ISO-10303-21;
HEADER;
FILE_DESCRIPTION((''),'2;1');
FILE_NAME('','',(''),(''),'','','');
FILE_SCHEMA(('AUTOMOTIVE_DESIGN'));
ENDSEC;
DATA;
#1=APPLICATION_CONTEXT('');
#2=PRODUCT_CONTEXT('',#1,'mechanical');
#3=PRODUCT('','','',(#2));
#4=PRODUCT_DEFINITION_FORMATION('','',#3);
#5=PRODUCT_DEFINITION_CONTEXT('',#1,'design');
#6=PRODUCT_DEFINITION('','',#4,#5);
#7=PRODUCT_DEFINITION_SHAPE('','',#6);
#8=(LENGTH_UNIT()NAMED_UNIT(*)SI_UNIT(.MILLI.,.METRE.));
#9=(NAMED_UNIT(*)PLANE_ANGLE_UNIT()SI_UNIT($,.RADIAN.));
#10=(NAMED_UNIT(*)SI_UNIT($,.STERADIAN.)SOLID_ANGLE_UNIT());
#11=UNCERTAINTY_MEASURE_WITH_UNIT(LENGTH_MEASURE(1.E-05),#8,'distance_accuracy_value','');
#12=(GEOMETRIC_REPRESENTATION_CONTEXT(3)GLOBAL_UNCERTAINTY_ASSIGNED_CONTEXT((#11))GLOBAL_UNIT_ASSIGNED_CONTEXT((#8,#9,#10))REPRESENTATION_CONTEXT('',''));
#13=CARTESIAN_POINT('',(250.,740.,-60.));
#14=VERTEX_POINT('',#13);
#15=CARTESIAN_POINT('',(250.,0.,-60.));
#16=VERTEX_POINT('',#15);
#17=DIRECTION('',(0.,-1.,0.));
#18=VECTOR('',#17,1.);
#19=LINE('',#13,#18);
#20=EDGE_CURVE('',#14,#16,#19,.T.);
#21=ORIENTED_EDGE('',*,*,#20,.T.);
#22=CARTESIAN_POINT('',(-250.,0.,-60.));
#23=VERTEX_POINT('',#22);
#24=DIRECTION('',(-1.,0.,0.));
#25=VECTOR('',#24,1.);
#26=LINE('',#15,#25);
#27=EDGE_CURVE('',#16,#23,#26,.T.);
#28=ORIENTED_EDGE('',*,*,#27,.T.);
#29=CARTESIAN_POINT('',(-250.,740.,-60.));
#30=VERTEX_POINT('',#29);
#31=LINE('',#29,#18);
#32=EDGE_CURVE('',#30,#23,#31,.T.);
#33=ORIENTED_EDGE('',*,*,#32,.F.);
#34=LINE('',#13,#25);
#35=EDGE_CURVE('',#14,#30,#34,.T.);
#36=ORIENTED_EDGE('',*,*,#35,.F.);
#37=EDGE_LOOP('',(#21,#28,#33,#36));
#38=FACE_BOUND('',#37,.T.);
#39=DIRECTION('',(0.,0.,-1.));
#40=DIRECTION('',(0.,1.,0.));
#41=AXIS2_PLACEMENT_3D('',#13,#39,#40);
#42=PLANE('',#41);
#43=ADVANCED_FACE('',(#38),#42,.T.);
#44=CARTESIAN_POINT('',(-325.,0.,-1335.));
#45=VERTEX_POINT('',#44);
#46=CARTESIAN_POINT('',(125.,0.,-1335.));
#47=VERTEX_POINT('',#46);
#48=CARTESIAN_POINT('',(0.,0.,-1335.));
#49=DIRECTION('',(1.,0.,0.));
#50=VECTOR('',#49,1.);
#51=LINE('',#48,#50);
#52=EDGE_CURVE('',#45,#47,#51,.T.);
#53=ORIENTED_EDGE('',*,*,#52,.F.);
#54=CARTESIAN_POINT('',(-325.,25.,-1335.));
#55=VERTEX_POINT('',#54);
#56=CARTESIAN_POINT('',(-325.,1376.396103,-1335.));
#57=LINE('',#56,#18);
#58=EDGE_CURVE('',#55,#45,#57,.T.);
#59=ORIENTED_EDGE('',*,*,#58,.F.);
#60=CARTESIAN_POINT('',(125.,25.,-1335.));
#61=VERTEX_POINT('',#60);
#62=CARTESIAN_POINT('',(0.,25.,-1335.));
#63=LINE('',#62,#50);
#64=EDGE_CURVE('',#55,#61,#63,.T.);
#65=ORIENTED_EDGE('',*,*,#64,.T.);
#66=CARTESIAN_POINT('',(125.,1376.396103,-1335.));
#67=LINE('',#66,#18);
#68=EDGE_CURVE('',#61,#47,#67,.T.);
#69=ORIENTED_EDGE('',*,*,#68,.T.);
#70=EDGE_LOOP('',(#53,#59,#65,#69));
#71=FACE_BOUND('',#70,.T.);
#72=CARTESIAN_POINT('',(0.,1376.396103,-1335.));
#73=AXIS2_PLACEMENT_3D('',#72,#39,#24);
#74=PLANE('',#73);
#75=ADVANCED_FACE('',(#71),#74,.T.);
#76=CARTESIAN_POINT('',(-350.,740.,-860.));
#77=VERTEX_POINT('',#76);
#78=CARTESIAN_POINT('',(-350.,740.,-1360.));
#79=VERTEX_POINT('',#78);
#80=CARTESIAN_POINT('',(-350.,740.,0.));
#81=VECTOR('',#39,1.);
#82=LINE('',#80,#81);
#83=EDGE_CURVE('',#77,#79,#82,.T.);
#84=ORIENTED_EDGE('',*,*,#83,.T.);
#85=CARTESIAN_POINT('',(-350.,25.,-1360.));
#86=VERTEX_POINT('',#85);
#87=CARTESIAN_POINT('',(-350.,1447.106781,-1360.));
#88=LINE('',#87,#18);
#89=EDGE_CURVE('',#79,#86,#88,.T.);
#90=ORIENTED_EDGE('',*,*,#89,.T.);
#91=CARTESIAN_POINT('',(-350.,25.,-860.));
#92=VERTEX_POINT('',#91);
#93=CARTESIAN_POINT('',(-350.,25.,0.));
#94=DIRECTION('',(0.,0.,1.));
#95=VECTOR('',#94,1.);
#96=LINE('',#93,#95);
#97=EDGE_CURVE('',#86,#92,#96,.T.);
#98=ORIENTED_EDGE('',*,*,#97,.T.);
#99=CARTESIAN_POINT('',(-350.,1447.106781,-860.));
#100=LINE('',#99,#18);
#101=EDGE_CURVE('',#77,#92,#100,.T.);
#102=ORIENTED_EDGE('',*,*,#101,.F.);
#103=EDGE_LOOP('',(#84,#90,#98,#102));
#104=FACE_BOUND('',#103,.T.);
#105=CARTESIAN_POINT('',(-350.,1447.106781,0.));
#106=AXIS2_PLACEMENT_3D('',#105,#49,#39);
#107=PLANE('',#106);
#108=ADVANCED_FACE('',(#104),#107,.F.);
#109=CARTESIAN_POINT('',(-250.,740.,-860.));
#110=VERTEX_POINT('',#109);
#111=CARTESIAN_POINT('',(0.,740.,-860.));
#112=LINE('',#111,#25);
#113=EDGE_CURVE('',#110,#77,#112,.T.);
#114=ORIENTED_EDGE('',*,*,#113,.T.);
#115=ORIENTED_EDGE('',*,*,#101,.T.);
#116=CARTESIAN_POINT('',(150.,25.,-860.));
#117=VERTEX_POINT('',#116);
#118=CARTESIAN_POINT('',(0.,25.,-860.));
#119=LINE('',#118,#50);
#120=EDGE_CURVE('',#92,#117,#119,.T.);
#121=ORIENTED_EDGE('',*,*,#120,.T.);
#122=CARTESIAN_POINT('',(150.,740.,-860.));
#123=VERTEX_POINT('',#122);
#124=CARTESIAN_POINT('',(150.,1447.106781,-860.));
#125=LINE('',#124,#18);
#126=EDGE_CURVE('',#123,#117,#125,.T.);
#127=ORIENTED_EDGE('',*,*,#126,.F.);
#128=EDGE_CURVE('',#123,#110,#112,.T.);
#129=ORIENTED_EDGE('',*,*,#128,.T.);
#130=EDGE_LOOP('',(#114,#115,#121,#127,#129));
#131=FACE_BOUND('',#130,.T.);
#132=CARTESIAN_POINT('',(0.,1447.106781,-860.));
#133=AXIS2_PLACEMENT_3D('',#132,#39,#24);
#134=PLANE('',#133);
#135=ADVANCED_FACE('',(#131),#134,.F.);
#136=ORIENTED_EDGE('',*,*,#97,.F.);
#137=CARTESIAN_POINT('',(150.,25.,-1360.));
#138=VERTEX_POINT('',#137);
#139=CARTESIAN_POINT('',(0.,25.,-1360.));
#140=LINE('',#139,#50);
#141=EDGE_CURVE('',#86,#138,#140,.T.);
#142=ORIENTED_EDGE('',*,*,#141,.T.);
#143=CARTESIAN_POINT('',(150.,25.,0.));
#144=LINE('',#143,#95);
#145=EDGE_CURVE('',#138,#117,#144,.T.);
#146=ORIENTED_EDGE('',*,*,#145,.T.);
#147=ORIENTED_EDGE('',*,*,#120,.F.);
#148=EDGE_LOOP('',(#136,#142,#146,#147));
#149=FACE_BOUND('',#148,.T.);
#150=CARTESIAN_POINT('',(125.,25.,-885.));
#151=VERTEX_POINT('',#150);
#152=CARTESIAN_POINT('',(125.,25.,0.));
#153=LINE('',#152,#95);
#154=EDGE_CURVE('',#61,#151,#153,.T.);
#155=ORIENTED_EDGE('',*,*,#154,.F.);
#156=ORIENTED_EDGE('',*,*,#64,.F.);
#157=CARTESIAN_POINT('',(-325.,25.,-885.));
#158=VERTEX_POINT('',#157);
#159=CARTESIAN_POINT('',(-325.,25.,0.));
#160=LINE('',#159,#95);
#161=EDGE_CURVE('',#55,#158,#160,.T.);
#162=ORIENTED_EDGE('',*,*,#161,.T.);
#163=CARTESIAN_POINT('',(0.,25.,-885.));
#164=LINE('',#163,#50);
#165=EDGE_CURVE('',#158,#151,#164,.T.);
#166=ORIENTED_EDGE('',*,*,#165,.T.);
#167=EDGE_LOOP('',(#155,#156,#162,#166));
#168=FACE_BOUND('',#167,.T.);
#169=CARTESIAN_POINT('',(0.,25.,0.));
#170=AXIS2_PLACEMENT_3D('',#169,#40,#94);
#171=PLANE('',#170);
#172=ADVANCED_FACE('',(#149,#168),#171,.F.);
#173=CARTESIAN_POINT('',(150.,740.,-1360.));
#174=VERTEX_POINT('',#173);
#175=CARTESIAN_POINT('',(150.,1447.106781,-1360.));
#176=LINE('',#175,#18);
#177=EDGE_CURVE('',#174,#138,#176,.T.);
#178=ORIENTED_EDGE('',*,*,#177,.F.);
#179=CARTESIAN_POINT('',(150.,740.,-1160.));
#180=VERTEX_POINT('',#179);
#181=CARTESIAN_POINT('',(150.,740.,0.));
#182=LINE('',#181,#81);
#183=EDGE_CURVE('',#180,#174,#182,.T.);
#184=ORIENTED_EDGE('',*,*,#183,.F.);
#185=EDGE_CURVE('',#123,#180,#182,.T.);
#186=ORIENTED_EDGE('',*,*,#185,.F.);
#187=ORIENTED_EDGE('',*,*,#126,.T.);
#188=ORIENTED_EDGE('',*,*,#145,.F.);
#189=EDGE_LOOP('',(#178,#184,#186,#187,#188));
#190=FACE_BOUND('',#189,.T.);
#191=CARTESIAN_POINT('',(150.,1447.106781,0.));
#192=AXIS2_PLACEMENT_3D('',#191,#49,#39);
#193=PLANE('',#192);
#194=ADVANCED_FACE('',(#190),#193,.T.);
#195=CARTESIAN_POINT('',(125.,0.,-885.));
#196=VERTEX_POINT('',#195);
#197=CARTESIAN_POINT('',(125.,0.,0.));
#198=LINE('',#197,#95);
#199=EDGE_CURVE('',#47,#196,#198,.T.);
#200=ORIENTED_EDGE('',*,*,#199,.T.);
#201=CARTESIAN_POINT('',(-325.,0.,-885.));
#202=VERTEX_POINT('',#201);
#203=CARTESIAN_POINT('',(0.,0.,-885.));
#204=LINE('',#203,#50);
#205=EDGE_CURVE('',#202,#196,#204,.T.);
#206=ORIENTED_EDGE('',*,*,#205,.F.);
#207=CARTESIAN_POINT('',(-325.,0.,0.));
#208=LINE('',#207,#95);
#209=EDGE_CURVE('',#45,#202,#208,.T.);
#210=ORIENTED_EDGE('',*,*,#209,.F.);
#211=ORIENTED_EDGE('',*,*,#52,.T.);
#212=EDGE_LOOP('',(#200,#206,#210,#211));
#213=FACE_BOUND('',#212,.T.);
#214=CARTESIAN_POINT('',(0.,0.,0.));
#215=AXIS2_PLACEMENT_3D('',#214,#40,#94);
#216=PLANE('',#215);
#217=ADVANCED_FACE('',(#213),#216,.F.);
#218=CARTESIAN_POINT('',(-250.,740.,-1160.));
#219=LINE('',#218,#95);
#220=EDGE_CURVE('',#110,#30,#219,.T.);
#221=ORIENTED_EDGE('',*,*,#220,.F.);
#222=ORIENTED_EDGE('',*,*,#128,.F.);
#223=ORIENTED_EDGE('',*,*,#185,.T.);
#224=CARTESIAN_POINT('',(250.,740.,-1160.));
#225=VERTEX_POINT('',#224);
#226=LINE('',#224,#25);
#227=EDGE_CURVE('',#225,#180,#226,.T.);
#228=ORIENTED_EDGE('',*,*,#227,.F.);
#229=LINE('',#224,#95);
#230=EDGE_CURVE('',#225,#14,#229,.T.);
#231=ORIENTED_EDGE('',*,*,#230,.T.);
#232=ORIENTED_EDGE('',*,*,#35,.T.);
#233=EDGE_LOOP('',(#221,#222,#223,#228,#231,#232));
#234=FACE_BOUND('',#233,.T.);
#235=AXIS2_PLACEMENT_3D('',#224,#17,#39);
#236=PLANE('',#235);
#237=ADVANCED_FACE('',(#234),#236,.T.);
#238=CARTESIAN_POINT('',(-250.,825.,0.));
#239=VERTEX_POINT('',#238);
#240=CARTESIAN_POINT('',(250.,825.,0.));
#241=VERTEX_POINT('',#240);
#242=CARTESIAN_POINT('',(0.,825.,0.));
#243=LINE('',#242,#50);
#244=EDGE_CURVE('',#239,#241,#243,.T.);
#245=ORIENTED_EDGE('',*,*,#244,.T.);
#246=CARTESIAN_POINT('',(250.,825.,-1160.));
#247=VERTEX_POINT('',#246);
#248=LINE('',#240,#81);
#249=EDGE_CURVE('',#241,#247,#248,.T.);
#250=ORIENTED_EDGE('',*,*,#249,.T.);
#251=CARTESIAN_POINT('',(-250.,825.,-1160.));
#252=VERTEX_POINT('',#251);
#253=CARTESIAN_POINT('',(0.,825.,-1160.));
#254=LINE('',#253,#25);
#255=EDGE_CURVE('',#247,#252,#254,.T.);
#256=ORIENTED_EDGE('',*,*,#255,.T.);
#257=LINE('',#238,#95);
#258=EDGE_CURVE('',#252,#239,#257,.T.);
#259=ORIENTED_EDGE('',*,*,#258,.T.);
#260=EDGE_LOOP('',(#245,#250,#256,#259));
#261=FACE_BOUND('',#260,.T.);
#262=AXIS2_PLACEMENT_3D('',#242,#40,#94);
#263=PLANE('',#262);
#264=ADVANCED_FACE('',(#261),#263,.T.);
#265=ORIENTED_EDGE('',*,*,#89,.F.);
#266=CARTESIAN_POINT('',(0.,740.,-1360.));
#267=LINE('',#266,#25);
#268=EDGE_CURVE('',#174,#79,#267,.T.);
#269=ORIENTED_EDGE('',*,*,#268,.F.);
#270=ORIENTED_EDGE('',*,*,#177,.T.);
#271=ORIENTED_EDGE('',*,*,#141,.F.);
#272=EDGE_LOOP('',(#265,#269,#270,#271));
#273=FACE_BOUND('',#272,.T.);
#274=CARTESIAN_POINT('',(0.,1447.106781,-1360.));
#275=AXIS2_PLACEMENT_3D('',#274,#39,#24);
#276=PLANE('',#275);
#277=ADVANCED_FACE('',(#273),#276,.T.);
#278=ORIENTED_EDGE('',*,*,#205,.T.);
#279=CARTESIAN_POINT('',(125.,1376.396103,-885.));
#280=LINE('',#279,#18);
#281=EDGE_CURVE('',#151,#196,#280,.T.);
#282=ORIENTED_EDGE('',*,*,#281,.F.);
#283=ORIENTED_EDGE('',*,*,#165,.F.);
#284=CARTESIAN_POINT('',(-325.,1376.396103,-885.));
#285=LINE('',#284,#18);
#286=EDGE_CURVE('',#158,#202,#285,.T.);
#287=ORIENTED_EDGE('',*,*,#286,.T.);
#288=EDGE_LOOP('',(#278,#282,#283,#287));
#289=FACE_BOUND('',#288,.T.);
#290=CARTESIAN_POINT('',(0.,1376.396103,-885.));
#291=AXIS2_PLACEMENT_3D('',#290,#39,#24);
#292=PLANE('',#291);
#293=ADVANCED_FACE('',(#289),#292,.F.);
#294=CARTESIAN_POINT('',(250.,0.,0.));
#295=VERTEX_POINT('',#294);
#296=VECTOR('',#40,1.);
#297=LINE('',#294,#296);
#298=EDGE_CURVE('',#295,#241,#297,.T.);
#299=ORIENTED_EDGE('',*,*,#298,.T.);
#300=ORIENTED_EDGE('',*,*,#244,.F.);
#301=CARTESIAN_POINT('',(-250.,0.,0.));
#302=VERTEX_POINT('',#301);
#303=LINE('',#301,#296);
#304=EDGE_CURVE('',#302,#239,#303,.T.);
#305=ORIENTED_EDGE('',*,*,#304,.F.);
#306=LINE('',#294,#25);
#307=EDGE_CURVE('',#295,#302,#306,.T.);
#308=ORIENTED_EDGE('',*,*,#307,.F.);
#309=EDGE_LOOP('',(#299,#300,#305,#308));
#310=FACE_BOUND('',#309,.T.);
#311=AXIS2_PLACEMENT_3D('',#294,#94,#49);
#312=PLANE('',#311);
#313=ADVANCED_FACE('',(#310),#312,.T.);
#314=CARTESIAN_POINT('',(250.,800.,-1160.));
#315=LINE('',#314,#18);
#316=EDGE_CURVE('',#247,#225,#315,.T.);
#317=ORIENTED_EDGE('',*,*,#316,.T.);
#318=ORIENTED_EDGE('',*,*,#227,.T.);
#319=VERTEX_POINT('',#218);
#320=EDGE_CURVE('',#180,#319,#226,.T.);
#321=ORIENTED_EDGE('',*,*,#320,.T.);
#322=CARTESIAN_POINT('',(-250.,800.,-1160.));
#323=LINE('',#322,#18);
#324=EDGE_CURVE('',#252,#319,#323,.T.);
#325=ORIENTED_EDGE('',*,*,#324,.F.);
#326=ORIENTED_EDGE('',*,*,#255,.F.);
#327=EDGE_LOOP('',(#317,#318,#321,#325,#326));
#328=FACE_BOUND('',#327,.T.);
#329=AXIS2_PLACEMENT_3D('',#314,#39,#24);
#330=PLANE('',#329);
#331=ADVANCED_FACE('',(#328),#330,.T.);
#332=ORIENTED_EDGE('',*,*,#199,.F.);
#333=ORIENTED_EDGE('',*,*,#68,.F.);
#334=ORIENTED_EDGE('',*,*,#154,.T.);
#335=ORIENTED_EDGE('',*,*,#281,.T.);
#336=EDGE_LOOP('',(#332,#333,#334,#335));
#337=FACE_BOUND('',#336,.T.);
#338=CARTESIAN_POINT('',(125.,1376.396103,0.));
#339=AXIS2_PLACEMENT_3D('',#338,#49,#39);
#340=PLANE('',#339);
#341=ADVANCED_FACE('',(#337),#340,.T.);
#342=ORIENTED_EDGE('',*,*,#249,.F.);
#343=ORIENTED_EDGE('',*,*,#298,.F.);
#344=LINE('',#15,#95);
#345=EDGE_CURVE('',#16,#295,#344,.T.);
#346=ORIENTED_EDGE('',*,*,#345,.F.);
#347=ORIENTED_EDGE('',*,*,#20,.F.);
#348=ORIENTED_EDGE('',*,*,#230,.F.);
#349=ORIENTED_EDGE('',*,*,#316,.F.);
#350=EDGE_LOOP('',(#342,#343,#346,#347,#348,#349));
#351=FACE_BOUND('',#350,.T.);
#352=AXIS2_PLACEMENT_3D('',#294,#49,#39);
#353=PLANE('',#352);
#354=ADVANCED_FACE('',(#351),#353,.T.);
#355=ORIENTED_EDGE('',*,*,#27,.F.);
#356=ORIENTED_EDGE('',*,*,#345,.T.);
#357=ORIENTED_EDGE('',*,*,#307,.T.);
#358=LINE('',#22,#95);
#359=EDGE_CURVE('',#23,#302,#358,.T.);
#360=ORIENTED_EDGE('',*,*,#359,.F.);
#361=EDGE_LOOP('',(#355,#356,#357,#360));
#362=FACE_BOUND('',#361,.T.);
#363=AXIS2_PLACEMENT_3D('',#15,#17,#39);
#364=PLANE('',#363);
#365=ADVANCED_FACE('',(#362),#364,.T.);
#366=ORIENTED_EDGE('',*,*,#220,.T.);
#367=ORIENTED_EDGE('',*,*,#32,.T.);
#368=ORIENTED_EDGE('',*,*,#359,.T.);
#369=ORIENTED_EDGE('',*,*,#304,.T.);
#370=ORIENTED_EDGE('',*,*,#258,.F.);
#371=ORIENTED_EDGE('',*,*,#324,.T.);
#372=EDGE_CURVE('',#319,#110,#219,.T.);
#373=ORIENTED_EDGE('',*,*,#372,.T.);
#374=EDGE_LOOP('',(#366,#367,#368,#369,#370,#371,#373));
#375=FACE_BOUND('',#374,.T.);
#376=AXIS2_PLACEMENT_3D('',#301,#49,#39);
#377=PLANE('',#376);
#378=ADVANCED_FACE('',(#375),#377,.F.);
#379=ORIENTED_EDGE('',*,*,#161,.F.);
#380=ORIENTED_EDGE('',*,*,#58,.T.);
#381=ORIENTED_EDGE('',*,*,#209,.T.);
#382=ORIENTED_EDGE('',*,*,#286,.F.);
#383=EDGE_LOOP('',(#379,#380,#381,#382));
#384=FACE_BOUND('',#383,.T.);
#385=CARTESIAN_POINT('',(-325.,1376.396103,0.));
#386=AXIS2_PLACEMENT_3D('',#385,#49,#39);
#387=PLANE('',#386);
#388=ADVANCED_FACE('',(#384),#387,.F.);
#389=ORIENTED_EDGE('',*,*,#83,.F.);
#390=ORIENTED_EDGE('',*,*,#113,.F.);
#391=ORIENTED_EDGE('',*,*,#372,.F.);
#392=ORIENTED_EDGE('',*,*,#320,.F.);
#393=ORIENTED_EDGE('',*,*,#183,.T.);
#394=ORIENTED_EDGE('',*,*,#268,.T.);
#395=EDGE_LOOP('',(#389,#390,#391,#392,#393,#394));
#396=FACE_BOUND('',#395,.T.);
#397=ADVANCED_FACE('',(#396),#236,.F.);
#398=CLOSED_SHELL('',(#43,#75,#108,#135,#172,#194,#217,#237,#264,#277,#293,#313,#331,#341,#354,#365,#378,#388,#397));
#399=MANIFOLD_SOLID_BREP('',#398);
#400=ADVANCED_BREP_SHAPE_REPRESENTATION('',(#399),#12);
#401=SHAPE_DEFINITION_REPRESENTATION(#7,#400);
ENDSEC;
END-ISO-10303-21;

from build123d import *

# Parameters (mm, degrees)
BOSS_EXTRUDE1_DEPTH = 250
SKETCH3_W           = 450
SKETCH3_H           = 450
BOSS_EXTRUDE2_DEPTH = 740
BOSS_EXTRUDE3_START = 25
SKETCH3_3_W         = 500
SKETCH3_3_H         = 500
SKETCH3_3_W_2       = 450
SKETCH3_3_H_2       = 450
BOSS_EXTRUDE3_DEPTH = 715
SKETCH4_W           = 500
SKETCH4_H           = 1160
BOSS_EXTRUDE4_DEPTH = 25


with BuildPart() as part:
    # Sketch2 → Boss-Extrude1 (new, symmetric)
    with BuildSketch(Plane(origin=(0, 0, 0), x_dir=(0, 0, -1), z_dir=(1, 0, 0))):
        Polygon((0, 0), (0, 800), (1160, 800), (1160, 740), (60, 740), (60, 0), align=None)
    extrude(amount=BOSS_EXTRUDE1_DEPTH, both=True)

    # Sketch3 → Boss-Extrude2 (add)
    with BuildSketch(Plane(origin=(0, 0, 0), x_dir=(1, 0, 0), z_dir=(0, 1, 0))):
        with Locations((-100, 1110)):
            Rectangle(SKETCH3_W, SKETCH3_H)
    extrude(amount=BOSS_EXTRUDE2_DEPTH)

    # Sketch3<3> → Boss-Extrude3 (add)
    with BuildSketch(Plane(origin=(0, 0, 0), x_dir=(1, 0, 0), z_dir=(0, 1, 0)).offset(BOSS_EXTRUDE3_START)):
        with Locations((-100, 1110)):
            Rectangle(SKETCH3_3_W, SKETCH3_3_H)
        with Locations((-100, 1110)):
            Rectangle(SKETCH3_3_W_2, SKETCH3_3_H_2, mode=Mode.SUBTRACT)
    extrude(amount=BOSS_EXTRUDE3_DEPTH)

    # Sketch4 → Boss-Extrude4 (add)
    with BuildSketch(Plane(origin=(0, 800, 0), x_dir=(1, 0, 0), z_dir=(0, 1, 0))):
        with Locations((0, 580)):
            Rectangle(SKETCH4_W, SKETCH4_H)
    extrude(amount=BOSS_EXTRUDE4_DEPTH)


solid = part.part
